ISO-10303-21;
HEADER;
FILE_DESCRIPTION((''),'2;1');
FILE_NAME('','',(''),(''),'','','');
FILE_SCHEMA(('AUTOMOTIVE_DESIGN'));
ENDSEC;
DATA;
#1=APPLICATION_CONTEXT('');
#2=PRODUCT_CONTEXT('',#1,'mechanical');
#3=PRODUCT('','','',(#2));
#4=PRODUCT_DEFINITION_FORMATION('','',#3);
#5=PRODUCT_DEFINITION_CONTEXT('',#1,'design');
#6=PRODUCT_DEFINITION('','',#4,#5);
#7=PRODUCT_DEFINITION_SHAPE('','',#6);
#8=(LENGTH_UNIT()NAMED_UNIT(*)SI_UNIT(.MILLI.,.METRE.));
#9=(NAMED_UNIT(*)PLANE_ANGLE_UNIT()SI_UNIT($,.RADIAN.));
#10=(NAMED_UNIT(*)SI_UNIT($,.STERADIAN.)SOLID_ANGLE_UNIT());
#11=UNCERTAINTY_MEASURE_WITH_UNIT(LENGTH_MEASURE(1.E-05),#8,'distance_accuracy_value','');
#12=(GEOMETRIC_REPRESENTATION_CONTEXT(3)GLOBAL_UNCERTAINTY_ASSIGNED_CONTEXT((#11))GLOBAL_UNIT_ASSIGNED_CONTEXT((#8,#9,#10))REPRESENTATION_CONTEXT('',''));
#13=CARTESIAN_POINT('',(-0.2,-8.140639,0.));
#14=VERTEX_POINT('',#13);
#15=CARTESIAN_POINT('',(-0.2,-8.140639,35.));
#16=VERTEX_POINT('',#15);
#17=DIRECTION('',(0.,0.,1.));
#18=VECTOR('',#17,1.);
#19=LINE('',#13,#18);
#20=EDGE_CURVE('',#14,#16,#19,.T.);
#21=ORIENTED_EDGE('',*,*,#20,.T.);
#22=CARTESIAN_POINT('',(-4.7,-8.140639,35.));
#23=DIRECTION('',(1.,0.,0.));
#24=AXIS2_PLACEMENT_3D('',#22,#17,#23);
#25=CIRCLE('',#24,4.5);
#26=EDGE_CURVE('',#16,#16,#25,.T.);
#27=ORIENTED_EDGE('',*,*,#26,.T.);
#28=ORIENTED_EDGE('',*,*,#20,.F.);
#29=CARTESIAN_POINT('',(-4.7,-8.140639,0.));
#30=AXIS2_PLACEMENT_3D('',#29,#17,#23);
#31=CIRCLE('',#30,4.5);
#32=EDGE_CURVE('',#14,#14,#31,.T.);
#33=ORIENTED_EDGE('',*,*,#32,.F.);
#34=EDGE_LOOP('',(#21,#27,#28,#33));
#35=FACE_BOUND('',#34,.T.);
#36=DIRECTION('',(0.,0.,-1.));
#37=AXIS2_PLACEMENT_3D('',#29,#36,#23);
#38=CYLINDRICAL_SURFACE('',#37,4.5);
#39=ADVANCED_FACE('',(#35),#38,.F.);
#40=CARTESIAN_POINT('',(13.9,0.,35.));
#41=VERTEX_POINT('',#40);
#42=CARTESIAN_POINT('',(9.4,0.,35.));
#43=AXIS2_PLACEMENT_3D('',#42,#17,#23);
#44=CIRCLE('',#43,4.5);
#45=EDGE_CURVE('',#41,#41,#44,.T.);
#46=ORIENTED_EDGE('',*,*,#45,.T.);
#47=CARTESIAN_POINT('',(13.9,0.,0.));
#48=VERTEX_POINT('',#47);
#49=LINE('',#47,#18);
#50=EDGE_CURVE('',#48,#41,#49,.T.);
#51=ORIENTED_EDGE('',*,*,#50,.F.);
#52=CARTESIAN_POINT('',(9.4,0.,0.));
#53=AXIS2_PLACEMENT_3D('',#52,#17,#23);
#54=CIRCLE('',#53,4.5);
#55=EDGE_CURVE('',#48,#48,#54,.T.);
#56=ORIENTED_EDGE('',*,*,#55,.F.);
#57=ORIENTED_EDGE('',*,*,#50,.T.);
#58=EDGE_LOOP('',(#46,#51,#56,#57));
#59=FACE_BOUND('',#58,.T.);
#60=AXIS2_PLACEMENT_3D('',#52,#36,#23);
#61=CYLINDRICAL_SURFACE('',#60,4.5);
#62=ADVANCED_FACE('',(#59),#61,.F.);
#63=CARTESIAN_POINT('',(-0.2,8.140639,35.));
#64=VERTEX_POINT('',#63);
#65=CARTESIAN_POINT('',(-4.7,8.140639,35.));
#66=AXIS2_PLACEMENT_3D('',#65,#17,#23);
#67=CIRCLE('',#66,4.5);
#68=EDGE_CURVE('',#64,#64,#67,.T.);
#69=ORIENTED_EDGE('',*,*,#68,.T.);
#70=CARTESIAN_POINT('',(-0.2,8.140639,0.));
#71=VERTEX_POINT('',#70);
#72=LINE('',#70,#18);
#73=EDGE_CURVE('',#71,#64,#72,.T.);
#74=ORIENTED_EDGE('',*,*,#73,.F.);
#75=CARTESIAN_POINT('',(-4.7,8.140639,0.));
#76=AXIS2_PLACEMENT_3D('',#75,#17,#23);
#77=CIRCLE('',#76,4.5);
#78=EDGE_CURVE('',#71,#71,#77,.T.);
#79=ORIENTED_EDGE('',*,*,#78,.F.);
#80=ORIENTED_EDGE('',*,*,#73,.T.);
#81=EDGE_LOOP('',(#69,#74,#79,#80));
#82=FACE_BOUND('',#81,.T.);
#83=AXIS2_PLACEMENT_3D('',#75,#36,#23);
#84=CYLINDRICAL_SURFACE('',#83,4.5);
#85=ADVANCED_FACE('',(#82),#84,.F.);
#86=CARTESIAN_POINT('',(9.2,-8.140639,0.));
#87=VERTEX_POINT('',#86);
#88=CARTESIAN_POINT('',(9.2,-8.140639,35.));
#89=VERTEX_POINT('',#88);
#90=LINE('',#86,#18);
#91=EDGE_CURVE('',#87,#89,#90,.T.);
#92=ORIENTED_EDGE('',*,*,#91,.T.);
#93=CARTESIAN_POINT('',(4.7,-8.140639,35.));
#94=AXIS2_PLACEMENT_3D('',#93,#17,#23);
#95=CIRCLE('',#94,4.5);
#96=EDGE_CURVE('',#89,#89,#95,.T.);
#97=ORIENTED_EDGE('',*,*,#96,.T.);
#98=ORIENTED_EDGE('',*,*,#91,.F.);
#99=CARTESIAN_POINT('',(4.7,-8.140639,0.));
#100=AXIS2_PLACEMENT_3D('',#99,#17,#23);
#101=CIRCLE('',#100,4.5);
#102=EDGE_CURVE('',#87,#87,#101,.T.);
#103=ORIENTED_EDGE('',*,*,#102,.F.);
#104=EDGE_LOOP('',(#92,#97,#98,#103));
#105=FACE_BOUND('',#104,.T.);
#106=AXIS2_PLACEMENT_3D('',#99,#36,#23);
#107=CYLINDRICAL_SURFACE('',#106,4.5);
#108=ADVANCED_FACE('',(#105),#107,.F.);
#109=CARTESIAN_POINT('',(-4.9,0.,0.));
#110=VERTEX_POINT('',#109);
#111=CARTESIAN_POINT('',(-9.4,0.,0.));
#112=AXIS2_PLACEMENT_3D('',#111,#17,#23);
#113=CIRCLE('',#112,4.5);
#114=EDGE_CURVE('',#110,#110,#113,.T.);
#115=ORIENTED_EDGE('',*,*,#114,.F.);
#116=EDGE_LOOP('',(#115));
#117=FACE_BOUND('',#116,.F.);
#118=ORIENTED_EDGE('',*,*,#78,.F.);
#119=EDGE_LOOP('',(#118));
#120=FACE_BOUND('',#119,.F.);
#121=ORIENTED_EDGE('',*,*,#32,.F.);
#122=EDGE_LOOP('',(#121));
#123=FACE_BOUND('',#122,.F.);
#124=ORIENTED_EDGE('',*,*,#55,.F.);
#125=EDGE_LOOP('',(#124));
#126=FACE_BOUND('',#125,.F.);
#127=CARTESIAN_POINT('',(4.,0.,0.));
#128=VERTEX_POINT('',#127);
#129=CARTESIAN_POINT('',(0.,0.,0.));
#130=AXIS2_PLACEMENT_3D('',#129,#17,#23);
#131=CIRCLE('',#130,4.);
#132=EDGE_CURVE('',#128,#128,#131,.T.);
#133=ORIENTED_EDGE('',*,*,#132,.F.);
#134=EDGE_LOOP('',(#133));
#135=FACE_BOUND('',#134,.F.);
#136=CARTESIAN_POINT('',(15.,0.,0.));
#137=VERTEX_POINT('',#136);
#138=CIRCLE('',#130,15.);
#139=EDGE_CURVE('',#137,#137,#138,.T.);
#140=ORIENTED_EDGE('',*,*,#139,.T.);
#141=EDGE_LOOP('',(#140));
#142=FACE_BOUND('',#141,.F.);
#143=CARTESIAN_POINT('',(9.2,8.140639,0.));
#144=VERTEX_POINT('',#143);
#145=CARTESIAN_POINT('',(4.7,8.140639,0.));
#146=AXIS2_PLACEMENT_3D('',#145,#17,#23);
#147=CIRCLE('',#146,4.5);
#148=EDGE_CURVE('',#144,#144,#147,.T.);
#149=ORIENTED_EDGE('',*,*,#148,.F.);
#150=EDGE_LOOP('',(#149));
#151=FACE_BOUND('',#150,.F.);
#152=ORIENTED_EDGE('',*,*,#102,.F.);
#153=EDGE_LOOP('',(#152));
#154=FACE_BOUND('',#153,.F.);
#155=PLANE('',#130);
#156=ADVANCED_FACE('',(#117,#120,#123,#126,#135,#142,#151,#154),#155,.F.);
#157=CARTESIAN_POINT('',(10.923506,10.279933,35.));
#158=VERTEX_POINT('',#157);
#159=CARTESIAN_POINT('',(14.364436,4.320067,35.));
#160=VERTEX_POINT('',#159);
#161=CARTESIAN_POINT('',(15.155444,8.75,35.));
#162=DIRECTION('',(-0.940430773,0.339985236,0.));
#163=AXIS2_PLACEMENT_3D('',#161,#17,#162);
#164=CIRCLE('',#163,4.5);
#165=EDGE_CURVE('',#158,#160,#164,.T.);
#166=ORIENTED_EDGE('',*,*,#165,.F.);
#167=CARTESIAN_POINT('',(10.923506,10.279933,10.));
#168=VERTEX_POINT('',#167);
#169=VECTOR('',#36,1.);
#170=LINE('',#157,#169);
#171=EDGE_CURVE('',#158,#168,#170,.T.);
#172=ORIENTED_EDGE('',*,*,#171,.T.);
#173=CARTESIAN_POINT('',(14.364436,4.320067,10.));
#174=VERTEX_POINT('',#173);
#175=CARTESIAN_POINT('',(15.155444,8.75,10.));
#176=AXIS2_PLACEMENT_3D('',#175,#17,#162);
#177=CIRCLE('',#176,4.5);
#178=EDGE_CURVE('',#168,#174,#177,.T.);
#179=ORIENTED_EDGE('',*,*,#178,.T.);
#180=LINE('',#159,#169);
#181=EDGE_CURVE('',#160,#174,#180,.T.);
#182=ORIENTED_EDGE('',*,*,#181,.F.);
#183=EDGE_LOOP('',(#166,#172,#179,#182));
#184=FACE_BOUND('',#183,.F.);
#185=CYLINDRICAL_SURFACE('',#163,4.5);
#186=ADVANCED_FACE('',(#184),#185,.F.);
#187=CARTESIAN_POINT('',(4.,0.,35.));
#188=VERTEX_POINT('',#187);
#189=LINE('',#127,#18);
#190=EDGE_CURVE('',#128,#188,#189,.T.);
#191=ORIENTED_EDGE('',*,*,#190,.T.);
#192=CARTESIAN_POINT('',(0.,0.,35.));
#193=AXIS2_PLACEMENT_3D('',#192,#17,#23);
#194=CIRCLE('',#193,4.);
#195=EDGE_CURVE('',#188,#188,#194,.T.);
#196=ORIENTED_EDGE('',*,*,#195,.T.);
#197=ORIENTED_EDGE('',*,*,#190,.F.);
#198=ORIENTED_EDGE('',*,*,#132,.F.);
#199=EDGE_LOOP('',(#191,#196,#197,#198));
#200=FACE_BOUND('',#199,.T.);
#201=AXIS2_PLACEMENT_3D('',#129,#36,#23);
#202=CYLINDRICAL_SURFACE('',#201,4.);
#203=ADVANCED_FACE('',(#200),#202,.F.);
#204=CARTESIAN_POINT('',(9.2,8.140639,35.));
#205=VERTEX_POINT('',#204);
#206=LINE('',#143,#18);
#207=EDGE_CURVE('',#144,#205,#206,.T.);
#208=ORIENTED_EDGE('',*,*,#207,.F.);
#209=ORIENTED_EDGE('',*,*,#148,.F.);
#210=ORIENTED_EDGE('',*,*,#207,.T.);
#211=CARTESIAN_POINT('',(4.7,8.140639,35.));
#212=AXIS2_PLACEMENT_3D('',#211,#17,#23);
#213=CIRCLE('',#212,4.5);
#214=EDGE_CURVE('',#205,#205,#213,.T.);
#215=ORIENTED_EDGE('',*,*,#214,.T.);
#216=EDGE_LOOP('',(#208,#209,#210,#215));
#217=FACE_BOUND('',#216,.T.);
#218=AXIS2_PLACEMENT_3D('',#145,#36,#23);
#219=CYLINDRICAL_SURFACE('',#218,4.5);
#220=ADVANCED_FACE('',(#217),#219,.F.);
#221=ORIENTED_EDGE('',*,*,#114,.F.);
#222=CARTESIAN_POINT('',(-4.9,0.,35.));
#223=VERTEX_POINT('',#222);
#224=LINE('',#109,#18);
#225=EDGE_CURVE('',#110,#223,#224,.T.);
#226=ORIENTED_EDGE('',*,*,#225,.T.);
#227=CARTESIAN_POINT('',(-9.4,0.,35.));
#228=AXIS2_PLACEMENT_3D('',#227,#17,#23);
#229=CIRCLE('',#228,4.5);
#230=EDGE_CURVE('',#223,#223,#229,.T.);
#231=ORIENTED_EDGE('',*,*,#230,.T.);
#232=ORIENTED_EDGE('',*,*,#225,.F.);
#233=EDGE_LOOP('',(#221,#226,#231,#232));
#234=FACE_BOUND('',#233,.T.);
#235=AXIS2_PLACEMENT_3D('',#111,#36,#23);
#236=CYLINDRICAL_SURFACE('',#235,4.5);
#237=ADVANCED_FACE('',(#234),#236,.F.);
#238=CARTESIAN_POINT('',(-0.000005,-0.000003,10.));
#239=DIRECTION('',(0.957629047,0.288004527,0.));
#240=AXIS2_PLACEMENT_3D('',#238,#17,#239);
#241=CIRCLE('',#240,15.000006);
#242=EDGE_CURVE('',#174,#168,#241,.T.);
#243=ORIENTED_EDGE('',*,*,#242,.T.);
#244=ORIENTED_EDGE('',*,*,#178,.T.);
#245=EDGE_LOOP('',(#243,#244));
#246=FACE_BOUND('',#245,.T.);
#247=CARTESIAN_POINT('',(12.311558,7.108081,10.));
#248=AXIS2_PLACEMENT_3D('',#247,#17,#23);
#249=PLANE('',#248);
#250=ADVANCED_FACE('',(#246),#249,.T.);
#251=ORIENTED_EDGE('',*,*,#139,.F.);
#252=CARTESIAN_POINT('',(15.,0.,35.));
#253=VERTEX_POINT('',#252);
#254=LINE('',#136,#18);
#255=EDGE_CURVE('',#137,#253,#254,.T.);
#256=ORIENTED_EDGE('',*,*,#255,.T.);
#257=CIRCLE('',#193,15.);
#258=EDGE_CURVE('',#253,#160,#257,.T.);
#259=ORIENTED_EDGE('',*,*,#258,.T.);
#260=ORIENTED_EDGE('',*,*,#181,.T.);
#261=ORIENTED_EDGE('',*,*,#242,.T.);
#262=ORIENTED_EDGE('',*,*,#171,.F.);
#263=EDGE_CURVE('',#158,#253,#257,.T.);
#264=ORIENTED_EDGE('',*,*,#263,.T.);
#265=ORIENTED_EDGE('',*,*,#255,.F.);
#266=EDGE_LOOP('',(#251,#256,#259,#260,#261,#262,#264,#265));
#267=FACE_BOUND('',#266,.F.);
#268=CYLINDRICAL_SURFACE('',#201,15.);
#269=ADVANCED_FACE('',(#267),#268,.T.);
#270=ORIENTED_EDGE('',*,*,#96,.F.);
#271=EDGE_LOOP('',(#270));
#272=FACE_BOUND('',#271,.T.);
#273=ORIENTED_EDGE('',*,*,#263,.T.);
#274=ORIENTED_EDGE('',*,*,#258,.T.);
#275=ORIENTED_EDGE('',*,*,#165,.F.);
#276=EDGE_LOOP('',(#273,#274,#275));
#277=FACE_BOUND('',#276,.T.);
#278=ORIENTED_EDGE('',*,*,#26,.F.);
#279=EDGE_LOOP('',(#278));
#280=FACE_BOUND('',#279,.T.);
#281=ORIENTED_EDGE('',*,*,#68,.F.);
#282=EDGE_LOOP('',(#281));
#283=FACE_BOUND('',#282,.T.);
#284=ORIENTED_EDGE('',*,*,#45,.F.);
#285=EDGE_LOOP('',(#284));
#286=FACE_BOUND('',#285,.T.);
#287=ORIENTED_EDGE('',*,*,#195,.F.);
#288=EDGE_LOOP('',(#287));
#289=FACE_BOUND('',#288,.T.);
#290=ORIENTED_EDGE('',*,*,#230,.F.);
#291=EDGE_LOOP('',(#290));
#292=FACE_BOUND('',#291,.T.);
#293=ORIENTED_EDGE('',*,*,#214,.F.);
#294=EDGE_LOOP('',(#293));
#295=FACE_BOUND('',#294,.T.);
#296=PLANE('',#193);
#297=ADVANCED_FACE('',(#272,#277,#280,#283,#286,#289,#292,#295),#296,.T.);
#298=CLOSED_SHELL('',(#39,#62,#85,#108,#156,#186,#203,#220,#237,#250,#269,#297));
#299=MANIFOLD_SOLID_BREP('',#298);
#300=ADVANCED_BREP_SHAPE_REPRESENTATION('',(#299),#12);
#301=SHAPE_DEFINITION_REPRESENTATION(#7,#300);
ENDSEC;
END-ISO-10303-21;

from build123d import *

# Parameters (mm, degrees)
F0_R     = 15
F0_R_2   = 4.5
F0_R_3   = 4
F1_DEPTH = 35
F3_DEPTH = 25


with BuildPart() as f1:
    # F0 (on Top) → F1 (new body)
    with BuildSketch(Plane.XY):
        Circle(F0_R)
        with Locations((-4.7, -8.140639)):
            Circle(F0_R_2, mode=Mode.SUBTRACT)
        with Locations((4.7, -8.140639)):
            Circle(F0_R_2, mode=Mode.SUBTRACT)
        with Locations((-9.4, 0)):
            Circle(F0_R_2, mode=Mode.SUBTRACT)
        with Locations((-4.7, 8.140639)):
            Circle(F0_R_2, mode=Mode.SUBTRACT)
        Circle(F0_R_3, mode=Mode.SUBTRACT)
        with Locations((9.4, 0)):
            Circle(F0_R_2, mode=Mode.SUBTRACT)
        with Locations((4.7, 8.140639)):
            Circle(F0_R_2, mode=Mode.SUBTRACT)
    extrude(amount=F1_DEPTH)

    # F2 (on face) → F3 (cut)
    with BuildSketch(Plane.XY.offset(35)):
        with BuildLine():
            ThreePointArc((14.364436, 4.320067), (12.990381, 7.5), (10.923506, 10.279933))
            ThreePointArc((10.923506, 10.279933), (11.25833, 6.5), (14.364436, 4.320067))
        make_face()
    extrude(amount=-F3_DEPTH, mode=Mode.SUBTRACT)


solid = f1.part
